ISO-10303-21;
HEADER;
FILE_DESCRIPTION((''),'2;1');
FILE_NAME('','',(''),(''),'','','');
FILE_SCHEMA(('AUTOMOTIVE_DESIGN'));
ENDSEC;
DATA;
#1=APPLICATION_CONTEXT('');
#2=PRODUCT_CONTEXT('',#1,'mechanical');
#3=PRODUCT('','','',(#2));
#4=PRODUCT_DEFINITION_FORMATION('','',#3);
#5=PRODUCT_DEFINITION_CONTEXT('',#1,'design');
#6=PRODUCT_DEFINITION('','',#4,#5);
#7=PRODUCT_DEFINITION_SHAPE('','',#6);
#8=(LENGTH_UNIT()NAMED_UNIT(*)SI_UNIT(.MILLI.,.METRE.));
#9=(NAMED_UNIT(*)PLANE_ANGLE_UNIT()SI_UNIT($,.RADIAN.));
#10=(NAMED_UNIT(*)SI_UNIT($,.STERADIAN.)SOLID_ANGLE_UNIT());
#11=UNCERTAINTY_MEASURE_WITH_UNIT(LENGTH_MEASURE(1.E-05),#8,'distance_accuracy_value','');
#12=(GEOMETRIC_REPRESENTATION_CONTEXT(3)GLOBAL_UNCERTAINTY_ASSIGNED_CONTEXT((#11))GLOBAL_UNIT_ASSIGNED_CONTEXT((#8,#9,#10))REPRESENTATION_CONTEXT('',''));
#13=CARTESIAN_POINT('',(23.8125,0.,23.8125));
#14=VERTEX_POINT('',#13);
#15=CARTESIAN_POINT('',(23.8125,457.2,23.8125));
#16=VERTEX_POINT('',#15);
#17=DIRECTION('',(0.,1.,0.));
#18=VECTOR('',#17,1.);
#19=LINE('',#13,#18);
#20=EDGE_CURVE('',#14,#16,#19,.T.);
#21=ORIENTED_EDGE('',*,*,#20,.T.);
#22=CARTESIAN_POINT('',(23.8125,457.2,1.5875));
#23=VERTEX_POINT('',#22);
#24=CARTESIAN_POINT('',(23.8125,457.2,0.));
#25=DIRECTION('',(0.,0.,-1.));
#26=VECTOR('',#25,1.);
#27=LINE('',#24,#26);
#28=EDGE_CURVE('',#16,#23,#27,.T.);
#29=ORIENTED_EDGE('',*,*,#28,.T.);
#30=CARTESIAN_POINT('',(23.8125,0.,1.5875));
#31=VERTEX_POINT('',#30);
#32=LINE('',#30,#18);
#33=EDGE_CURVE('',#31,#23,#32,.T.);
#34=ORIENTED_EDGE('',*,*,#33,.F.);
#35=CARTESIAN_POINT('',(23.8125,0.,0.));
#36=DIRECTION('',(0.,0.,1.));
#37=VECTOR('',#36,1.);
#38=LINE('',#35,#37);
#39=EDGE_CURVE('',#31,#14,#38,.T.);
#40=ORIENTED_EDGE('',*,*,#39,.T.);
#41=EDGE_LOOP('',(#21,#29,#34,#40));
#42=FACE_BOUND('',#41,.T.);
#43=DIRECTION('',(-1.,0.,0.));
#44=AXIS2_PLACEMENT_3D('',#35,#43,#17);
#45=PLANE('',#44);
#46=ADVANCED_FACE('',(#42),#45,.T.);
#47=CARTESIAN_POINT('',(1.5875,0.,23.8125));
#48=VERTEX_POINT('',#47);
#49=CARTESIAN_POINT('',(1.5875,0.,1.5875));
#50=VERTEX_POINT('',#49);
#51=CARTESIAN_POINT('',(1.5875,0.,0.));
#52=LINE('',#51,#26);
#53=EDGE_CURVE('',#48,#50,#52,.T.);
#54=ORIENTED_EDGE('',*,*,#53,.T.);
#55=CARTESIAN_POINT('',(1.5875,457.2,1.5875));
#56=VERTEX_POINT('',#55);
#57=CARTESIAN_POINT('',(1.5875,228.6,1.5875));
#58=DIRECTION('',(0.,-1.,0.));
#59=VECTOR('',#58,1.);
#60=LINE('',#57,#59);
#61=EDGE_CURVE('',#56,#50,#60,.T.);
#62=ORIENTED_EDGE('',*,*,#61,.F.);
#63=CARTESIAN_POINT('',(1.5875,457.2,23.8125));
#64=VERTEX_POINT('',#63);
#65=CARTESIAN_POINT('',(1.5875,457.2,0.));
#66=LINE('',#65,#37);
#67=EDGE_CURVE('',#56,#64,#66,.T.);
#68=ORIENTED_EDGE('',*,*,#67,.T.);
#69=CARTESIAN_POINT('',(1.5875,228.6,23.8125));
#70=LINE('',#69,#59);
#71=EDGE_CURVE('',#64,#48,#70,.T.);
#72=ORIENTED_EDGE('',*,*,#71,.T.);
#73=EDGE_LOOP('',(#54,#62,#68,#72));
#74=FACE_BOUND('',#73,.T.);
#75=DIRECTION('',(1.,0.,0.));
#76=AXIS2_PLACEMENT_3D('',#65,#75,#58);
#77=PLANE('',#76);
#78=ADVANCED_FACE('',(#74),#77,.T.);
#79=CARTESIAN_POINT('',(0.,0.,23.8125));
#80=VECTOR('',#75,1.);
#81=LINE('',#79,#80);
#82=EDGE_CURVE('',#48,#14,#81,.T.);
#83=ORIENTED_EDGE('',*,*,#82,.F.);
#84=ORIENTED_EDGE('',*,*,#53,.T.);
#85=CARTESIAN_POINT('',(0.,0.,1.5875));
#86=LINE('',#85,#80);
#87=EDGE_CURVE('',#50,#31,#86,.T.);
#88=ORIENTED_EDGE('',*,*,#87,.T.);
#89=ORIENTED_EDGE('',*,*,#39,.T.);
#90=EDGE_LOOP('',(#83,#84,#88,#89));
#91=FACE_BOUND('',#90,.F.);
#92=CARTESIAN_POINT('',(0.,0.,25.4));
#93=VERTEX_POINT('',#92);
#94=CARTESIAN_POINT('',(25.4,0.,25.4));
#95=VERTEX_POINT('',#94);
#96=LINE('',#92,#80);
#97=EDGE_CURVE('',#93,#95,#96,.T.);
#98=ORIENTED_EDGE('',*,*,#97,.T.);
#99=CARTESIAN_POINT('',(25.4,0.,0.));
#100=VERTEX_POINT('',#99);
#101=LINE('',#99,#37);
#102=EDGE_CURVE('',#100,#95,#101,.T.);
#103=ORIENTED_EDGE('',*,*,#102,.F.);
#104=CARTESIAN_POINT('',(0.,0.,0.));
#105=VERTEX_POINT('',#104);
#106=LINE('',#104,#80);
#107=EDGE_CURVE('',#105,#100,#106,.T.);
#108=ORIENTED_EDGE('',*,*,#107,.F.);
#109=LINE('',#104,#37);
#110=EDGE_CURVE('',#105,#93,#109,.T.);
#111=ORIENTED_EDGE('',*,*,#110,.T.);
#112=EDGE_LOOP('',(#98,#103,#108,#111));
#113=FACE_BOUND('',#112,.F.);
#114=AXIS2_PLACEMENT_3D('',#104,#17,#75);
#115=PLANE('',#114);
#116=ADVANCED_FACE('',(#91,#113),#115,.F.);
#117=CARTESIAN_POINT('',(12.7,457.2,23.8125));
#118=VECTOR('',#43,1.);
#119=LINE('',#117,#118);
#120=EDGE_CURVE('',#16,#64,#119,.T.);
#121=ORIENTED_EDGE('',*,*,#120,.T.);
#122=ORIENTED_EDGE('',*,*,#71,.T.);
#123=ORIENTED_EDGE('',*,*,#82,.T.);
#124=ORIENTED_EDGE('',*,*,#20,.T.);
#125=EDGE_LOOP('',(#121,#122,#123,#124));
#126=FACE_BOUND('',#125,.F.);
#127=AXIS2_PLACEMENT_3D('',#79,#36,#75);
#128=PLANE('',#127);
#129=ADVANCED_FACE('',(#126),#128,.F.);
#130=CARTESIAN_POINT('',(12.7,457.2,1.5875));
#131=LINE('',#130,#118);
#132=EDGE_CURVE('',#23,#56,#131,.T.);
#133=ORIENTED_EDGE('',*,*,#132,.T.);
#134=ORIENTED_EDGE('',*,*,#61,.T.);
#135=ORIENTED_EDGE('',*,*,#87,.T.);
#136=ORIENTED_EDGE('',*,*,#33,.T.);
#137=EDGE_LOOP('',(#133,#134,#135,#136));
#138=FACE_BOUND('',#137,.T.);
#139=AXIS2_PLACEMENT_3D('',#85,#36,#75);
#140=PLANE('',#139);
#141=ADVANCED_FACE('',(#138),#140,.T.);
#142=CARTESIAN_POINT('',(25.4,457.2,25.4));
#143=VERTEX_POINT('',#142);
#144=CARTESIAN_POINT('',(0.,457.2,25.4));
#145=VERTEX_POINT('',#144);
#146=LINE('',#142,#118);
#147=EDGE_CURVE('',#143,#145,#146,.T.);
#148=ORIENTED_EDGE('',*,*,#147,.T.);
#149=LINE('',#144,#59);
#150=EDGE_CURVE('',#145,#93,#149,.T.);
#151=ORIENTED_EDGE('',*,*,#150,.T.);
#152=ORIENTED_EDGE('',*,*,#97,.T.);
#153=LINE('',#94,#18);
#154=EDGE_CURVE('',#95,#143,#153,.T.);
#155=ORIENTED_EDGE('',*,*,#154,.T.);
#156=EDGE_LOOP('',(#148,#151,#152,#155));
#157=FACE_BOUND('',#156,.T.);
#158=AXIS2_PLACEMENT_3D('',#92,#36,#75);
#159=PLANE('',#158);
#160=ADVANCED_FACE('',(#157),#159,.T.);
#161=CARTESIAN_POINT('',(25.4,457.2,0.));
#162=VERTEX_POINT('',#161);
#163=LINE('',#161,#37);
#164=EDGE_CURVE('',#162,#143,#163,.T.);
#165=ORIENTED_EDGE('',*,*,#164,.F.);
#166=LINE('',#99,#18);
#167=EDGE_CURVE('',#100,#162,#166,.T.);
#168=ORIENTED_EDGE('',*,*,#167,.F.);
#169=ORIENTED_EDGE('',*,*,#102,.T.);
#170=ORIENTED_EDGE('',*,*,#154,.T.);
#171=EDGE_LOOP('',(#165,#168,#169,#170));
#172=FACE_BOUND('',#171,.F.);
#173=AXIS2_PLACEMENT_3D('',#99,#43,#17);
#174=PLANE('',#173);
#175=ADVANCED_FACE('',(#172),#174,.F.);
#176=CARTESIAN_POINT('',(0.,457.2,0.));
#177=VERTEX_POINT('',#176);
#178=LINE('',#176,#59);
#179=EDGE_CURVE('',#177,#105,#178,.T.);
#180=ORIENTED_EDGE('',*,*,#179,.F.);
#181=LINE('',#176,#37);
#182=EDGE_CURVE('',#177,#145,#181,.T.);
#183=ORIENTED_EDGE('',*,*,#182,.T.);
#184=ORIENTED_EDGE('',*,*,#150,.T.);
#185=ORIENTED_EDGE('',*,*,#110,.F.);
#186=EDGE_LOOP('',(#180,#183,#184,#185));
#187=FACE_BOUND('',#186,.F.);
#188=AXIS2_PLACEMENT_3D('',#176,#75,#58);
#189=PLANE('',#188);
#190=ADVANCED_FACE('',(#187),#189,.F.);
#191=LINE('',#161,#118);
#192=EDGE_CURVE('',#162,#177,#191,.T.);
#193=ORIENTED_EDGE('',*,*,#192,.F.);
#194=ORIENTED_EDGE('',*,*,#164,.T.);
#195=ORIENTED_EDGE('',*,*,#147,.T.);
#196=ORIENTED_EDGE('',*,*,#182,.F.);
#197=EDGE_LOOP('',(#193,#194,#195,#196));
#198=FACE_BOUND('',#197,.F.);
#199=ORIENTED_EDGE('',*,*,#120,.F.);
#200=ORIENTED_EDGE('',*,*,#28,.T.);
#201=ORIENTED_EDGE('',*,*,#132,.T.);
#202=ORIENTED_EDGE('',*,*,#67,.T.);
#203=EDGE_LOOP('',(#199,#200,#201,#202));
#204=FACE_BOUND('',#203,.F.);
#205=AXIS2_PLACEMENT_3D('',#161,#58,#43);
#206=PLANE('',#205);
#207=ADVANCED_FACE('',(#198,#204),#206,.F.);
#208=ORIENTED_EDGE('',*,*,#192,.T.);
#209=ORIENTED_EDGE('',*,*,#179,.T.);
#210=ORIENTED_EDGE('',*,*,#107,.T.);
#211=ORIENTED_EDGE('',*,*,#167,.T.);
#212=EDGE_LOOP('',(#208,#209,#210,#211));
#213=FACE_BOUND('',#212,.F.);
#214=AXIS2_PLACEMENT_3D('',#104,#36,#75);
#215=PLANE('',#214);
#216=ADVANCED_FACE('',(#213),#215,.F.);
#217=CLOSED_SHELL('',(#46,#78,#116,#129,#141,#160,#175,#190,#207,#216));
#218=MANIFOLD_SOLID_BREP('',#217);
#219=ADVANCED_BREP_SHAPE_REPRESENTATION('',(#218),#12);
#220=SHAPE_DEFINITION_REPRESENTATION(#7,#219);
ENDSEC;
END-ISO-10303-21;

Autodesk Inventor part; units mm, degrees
ref_plane "YZ Plane" through (0, 0, 0) normal (1, 0, 0) x (0, 1, 0)
ref_plane "XZ Plane" through (0, 0, 0) normal (0, 1, 0) x (-1, 0, 0)
ref_plane "XY Plane" through (0, 0, 0) normal (0, 0, 1) x (1, 0, 0)
sketch "Sketch1" plane through (0, 0, 0) normal (0, 0, 1) x (1, 0, 0)
  line L0 (0, 0) -> (25.4, 0)
  line L1 (25.4, 0) -> (25.4, 457.2)
  line L2 (25.4, 457.2) -> (0, 457.2)
  line L3 (0, 457.2) -> (0, 0)
  dimension "d0" = 457.2
  dimension "d1" = 25.4
extrude "Extrusion1" add sketch "Sketch1" along normal blind 25.4
shell "Shell1" thickness 1.5875 removed faces 2 at (16.9333, 457.2, 8.4667) at (8.4667, 0, 8.4667)
properties part number "Frame_VerticalSideGuide_Long" material "Aluminum-6061"
